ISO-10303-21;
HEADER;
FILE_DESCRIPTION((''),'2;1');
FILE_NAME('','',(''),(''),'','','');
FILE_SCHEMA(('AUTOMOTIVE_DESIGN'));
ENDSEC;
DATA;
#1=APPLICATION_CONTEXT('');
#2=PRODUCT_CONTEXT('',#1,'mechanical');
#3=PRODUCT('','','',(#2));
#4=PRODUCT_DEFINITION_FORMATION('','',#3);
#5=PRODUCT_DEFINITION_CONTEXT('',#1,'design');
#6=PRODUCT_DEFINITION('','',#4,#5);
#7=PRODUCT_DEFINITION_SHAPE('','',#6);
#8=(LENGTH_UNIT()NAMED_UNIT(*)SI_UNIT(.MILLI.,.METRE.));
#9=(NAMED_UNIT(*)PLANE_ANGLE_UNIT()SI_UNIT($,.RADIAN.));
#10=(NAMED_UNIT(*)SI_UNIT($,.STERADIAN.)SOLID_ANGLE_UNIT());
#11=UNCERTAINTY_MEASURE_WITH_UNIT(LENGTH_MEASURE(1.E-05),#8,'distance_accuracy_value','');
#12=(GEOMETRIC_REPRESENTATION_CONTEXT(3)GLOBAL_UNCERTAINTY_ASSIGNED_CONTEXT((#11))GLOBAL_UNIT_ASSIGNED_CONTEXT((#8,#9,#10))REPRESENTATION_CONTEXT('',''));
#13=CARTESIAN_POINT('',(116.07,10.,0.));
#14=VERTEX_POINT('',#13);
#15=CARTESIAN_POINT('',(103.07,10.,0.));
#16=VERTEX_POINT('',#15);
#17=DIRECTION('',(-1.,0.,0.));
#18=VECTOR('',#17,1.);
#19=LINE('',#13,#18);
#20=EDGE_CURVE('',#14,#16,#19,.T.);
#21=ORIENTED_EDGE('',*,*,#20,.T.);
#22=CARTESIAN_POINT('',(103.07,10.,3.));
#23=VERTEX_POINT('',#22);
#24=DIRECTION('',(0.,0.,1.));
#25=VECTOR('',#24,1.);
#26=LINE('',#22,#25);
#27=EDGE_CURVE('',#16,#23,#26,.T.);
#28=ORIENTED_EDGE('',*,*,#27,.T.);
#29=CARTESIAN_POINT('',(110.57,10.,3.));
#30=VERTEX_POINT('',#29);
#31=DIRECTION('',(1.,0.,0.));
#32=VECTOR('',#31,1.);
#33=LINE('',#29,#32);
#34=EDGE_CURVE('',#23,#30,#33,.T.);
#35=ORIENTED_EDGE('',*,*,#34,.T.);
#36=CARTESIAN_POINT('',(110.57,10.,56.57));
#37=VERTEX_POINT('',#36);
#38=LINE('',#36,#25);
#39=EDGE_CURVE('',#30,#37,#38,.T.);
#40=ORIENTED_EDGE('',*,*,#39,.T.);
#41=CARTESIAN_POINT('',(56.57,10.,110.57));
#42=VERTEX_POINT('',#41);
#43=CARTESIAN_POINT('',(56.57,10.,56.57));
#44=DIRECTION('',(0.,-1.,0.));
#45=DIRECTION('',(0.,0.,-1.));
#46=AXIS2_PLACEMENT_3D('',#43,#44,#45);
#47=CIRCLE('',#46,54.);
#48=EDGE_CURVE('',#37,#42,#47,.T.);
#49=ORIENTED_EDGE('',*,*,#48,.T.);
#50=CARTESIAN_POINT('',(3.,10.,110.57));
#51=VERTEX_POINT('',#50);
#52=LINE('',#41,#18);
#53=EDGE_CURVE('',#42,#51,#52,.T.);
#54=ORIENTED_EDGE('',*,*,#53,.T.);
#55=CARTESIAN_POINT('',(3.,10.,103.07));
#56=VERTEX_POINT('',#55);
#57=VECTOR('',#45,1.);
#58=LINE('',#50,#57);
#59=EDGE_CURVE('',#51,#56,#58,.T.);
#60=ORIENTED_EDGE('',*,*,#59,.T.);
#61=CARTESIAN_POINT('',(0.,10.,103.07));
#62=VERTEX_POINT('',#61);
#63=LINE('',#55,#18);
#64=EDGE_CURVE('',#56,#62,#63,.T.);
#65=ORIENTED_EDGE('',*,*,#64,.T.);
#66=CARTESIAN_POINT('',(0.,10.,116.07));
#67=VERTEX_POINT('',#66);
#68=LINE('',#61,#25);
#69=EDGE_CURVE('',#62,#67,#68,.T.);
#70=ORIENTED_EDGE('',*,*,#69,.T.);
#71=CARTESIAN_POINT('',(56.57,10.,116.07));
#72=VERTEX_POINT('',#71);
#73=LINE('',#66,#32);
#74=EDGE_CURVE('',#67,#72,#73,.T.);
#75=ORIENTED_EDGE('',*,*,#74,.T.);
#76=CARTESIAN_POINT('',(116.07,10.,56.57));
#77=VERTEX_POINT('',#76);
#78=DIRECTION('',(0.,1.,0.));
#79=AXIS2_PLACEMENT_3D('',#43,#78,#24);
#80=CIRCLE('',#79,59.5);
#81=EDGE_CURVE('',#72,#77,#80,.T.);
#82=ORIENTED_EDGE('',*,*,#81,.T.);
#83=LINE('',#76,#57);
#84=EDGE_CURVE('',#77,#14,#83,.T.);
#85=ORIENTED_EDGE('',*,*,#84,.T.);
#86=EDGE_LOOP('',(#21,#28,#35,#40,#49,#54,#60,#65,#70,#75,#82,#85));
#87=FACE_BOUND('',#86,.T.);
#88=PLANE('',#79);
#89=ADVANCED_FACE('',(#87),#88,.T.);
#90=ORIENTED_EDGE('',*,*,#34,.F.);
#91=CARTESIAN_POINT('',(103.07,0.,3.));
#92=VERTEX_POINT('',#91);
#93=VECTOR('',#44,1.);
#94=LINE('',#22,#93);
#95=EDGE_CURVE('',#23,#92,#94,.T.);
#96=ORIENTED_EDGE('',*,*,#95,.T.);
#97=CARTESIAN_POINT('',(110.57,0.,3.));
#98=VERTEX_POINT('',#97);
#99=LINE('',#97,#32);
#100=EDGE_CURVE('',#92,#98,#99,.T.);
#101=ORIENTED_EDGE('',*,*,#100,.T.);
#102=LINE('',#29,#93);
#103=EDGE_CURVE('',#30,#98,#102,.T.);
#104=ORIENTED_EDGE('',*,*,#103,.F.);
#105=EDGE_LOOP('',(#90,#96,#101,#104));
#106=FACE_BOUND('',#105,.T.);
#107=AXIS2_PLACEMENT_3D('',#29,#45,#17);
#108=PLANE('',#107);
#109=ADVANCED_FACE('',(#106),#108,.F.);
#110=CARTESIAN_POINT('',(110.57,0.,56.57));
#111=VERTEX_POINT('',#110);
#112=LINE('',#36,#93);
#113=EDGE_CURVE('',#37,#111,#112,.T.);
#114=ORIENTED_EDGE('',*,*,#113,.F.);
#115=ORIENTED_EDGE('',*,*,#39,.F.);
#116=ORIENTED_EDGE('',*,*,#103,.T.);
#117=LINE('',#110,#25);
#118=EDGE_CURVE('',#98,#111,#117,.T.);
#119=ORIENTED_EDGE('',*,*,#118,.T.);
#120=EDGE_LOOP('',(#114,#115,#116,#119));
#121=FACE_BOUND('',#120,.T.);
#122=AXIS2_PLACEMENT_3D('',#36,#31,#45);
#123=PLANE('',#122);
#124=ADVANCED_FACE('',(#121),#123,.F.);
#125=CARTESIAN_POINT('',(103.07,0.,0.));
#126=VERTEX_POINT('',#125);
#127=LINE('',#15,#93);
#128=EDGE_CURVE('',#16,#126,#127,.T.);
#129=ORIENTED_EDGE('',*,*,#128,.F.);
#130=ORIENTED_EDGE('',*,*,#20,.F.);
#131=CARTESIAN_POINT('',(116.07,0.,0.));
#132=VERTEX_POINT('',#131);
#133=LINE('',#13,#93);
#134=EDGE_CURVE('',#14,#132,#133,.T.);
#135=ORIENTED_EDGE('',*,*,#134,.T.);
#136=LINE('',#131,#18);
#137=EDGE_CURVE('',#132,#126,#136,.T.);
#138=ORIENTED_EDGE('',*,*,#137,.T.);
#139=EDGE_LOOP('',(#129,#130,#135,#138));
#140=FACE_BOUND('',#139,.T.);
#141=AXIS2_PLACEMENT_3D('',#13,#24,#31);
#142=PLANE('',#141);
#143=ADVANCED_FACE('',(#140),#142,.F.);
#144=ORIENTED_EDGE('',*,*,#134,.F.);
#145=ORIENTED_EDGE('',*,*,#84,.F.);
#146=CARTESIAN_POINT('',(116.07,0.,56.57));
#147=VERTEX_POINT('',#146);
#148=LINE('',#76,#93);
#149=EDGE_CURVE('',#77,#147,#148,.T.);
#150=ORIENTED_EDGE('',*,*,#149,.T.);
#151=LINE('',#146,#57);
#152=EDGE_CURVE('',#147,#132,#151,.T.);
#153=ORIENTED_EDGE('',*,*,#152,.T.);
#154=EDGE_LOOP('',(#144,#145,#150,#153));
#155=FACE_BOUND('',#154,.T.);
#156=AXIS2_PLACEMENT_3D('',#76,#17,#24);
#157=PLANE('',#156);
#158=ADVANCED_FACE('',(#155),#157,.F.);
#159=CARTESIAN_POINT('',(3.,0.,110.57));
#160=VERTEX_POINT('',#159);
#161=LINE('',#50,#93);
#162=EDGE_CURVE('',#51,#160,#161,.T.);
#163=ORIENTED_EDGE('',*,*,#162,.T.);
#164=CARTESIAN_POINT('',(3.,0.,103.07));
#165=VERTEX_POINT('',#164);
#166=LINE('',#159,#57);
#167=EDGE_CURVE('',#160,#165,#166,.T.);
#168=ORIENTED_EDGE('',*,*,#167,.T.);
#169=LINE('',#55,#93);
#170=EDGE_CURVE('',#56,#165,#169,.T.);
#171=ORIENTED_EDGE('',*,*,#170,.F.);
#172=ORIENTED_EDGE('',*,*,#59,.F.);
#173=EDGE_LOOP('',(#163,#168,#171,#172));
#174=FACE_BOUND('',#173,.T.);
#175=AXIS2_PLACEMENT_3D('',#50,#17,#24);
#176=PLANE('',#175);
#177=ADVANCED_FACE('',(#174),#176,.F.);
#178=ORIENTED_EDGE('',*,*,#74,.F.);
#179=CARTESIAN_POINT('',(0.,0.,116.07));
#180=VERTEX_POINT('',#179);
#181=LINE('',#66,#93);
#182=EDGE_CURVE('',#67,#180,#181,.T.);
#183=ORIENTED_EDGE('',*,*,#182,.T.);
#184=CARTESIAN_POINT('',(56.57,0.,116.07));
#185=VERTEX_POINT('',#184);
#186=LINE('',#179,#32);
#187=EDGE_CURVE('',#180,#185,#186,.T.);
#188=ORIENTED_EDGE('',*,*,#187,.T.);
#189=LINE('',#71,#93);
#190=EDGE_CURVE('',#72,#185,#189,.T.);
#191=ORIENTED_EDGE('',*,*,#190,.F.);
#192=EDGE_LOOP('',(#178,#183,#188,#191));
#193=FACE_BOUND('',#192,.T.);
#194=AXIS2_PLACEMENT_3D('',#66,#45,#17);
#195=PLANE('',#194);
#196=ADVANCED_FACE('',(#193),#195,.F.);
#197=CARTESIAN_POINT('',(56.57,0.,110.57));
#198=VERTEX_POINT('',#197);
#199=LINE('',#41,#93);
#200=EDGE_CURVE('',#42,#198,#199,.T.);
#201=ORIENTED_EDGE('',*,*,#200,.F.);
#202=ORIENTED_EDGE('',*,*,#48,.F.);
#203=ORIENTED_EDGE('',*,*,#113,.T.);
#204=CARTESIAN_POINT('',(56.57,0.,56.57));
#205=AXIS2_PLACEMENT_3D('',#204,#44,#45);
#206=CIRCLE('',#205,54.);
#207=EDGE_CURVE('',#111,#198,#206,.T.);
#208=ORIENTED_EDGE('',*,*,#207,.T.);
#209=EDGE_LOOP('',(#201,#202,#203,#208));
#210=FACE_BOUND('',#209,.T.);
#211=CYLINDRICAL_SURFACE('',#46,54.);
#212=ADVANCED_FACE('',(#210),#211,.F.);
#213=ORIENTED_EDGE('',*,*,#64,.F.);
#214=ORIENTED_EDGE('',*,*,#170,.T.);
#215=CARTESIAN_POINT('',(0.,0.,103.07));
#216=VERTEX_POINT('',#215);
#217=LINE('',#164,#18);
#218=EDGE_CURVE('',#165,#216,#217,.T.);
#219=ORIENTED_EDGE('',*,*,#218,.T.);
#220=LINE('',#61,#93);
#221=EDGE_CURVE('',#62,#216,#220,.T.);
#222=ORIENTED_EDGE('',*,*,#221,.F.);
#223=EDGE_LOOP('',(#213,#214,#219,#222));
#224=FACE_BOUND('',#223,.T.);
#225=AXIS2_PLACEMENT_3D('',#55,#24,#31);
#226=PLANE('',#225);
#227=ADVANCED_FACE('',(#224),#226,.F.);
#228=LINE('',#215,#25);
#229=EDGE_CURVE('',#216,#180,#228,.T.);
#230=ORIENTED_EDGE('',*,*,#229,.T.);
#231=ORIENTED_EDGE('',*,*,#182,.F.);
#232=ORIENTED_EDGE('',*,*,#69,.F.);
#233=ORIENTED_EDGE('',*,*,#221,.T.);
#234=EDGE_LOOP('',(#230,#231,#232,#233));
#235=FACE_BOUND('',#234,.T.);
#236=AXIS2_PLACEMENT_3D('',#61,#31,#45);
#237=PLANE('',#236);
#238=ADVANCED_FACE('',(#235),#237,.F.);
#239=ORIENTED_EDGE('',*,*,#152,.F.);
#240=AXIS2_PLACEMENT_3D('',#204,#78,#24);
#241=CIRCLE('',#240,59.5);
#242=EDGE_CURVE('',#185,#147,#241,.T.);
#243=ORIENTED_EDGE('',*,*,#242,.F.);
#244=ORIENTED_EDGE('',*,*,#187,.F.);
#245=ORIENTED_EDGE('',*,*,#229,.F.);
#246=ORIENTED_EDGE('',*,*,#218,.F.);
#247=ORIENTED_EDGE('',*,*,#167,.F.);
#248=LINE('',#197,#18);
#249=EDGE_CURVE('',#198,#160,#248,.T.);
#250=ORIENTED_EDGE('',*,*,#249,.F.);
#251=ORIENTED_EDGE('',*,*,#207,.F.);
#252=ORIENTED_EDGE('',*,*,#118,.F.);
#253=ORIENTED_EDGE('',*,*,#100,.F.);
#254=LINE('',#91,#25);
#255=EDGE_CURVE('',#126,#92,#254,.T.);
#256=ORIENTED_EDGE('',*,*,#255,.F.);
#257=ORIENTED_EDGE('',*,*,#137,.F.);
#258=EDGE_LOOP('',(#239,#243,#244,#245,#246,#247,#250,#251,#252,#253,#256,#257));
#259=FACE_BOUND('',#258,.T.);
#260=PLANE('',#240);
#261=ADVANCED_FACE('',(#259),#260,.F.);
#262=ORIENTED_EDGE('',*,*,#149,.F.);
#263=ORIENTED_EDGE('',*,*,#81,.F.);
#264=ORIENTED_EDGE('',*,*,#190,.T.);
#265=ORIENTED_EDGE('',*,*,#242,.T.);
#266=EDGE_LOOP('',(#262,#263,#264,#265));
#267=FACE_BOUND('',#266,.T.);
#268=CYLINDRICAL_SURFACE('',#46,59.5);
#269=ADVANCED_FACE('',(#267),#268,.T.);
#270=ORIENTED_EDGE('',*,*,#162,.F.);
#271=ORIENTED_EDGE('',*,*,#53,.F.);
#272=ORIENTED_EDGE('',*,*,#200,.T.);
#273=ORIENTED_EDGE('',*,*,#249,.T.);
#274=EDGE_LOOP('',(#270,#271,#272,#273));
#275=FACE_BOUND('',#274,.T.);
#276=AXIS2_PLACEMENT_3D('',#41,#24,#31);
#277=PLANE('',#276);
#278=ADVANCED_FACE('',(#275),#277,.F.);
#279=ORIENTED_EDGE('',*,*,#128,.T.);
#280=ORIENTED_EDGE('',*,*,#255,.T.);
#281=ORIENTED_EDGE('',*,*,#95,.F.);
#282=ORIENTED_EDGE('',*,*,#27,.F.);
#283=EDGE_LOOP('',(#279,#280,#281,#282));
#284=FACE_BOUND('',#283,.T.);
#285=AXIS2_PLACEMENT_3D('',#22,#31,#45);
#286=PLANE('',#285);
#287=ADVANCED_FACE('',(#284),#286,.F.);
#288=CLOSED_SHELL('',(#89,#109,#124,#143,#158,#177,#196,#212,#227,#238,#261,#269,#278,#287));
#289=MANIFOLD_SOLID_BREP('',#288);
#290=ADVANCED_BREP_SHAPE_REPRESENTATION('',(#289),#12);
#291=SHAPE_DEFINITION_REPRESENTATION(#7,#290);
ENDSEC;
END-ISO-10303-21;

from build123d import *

# Parameters (mm, degrees)
BOSS_EXTRUDE1_DEPTH = 10


with BuildPart() as part:
    # Sketch1 → Boss-Extrude1 (new body)
    with BuildSketch(Plane(origin=(0, 0, 0), x_dir=(1, 0, 0), z_dir=(0, 1, 0))):
        with BuildLine():
            Line((0, -116.07), (56.57, -116.07))
            ThreePointArc((56.57, -116.07), (98.642853481, -98.642853481), (116.07, -56.57))
            Line((116.07, -56.57), (116.07, 0))
            Line((116.07, 0), (103.07, 0))
            Line((103.07, 0), (103.07, -3))
            Line((103.07, -3), (110.57, -3))
            Line((110.57, -3), (110.57, -56.57))
            ThreePointArc((110.57, -56.57), (94.753766184, -94.753766184), (56.57, -110.57))
            Line((56.57, -110.57), (3, -110.57))
            Line((3, -110.57), (3, -103.07))
            Line((3, -103.07), (0, -103.07))
            Line((0, -103.07), (0, -116.07))
        make_face()
    extrude(amount=BOSS_EXTRUDE1_DEPTH)


solid = part.part
